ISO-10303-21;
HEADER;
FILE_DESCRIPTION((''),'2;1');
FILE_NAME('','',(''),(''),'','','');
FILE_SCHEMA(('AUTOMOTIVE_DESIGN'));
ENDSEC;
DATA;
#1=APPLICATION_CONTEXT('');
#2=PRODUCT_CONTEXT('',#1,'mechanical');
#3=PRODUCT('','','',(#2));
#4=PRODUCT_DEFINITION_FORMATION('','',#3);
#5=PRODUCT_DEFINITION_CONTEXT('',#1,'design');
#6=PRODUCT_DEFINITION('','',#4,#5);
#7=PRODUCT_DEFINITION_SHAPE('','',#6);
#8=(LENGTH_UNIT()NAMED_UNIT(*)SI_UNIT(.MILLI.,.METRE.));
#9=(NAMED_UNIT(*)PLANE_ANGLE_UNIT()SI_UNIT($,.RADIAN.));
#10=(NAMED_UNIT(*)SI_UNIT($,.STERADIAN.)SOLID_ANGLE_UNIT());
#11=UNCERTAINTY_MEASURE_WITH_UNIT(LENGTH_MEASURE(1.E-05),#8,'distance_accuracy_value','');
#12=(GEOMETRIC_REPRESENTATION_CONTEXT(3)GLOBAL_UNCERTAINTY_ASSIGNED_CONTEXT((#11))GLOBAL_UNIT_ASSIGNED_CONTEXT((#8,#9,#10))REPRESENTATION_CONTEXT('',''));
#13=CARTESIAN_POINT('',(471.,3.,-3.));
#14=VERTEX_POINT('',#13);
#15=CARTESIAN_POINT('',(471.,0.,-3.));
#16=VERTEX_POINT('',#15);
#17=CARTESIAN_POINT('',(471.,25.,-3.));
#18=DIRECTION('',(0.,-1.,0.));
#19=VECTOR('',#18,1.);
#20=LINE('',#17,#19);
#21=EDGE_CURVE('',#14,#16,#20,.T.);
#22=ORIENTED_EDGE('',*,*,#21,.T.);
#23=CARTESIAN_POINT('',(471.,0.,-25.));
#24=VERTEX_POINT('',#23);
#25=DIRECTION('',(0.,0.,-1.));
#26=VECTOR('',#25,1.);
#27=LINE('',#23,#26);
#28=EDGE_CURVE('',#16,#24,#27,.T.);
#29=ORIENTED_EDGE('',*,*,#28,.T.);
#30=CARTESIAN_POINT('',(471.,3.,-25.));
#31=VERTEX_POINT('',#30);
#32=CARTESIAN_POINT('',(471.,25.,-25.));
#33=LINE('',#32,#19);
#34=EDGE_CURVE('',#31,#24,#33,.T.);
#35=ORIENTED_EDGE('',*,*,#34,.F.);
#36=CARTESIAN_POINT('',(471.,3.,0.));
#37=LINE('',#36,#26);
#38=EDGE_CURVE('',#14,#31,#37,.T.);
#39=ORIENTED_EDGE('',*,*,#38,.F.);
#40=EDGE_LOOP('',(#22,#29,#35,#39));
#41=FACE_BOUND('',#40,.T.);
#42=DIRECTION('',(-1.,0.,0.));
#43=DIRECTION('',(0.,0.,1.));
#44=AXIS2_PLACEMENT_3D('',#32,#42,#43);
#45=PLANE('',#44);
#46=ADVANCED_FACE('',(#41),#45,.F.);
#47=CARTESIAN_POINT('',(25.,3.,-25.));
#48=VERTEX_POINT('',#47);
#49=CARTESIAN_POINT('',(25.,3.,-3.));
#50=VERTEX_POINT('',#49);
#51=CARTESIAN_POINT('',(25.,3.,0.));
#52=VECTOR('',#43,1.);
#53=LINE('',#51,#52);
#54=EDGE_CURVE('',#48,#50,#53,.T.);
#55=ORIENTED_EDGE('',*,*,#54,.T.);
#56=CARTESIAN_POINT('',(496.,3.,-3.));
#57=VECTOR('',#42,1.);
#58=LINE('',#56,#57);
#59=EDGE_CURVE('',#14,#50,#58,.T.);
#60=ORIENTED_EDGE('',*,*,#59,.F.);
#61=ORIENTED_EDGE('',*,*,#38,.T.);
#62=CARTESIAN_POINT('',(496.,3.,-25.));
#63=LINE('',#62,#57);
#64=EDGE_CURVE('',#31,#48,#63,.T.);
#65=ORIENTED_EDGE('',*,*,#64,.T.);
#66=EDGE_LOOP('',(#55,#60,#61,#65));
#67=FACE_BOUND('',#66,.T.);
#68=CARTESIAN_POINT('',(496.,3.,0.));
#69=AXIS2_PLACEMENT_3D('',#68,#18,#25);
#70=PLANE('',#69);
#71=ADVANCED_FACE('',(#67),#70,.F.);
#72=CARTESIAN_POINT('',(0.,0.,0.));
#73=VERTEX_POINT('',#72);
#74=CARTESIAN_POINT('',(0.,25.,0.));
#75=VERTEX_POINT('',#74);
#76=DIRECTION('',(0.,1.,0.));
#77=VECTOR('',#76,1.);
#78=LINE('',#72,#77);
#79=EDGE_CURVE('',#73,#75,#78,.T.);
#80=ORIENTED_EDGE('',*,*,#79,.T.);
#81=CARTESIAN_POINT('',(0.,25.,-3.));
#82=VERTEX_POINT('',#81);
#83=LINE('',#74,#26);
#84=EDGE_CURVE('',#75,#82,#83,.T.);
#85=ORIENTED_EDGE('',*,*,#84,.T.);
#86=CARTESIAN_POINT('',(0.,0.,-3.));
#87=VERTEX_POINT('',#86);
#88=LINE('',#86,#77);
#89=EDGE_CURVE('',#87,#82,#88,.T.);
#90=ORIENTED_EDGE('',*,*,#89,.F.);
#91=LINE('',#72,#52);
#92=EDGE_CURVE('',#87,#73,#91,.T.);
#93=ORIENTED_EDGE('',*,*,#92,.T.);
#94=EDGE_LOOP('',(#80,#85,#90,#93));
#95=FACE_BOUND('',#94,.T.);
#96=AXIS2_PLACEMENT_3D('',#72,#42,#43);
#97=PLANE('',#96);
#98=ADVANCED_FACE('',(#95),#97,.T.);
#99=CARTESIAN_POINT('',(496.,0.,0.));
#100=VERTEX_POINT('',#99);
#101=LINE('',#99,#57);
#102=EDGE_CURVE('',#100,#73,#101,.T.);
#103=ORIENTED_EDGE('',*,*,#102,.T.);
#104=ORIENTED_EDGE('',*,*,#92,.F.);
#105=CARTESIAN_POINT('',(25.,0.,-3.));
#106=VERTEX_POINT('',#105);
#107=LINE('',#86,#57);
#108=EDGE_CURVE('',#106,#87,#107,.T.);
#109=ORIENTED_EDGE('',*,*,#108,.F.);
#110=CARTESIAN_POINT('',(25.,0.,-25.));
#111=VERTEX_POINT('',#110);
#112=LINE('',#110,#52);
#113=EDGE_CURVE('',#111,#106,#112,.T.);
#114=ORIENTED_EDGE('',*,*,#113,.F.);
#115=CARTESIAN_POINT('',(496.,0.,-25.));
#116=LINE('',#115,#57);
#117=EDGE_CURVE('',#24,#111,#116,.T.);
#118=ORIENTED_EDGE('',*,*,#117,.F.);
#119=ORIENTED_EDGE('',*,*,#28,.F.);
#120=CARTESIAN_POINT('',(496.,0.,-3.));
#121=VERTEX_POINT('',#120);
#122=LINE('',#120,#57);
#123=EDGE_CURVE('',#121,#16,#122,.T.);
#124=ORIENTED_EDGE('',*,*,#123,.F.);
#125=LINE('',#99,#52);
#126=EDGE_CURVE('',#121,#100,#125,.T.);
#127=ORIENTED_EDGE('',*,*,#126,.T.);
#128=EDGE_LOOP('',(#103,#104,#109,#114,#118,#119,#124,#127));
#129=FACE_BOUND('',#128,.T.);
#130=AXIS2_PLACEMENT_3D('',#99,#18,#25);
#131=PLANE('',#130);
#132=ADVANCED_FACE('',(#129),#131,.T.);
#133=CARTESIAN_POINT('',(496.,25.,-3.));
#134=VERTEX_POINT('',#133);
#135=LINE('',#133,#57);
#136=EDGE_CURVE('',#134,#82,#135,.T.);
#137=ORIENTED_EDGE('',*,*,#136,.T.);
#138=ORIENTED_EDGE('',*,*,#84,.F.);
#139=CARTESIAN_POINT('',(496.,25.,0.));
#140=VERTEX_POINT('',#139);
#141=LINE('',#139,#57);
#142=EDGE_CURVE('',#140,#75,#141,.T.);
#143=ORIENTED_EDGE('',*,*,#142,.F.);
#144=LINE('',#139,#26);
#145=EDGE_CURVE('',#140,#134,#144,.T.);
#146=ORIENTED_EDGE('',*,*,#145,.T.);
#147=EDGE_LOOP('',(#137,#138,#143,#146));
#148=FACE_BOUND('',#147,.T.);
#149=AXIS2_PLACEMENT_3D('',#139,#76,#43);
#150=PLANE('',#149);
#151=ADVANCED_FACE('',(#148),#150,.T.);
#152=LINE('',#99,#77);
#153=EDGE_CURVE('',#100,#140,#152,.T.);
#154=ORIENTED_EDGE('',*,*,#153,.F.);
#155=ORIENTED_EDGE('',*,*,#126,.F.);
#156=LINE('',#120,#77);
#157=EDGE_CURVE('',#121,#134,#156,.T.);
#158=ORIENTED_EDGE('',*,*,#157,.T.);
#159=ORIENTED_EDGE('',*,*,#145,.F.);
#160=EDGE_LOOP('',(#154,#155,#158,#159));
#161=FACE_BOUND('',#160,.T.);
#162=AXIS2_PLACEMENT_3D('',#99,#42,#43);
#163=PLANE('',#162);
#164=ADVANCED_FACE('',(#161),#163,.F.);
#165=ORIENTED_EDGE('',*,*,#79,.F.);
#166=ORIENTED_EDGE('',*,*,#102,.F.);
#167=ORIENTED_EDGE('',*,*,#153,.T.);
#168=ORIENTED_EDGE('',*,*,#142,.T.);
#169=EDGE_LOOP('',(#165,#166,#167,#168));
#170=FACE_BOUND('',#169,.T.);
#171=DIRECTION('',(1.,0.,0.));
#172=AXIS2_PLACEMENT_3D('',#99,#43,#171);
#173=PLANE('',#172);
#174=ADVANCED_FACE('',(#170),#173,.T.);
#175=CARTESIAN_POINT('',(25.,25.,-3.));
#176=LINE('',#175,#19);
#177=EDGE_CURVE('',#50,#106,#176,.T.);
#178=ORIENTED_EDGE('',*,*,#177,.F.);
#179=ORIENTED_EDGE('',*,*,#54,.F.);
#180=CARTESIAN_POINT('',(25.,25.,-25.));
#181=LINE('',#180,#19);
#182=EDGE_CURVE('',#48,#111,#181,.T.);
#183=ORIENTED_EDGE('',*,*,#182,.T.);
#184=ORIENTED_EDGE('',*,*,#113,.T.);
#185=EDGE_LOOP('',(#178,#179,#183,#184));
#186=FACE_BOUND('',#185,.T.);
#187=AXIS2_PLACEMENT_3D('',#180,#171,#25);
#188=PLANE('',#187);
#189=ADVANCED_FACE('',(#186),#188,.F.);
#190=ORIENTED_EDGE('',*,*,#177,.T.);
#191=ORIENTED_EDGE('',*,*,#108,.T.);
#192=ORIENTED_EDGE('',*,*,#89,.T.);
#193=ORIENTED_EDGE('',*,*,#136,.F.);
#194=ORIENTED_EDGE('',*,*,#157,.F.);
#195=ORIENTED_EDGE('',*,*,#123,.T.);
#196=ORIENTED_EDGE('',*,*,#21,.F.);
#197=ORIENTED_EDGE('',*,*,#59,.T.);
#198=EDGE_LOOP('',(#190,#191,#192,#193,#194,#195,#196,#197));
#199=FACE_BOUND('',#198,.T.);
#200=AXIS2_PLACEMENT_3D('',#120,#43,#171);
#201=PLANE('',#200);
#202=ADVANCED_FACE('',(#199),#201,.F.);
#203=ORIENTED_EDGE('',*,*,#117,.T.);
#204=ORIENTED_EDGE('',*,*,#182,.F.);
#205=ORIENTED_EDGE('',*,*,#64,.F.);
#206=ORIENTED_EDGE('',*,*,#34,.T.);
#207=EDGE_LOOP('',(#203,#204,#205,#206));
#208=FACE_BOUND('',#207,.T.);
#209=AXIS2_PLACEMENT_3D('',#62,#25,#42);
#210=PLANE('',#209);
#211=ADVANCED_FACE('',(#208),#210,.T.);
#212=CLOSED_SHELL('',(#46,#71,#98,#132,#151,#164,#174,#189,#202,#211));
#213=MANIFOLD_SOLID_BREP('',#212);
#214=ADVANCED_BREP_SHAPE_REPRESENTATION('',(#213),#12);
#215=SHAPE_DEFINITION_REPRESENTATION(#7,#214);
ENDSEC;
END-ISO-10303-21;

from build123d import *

# Parameters (mm, degrees)
EXTRUDE_1_DEPTH     = 496
SKETCH_2_W          = 25
SKETCH_2_H          = 22
CUT_EXTRUDE_1_DEPTH = 26


with BuildPart() as part:
    # Эскиз1 → Вытянуть-Тонкостенный1 (new body)
    with BuildSketch(Plane(origin=(0, 0, 0), x_dir=(0, 0, -1), z_dir=(1, 0, 0))):
        Polygon((0, 25), (0, 0), (25, 0), (25, 3), (3, 3), (3, 25), align=None)
    extrude(amount=EXTRUDE_1_DEPTH)

    # Эскиз2 → Вырез-Вытянуть1 (cut, through all)
    with BuildSketch(Plane.XZ):
        with Locations((483.5, -14)):
            Rectangle(SKETCH_2_W, SKETCH_2_H)
        with Locations((12.5, -14)):
            Rectangle(SKETCH_2_W, SKETCH_2_H)
    extrude(amount=-CUT_EXTRUDE_1_DEPTH, mode=Mode.SUBTRACT)


solid = part.part
